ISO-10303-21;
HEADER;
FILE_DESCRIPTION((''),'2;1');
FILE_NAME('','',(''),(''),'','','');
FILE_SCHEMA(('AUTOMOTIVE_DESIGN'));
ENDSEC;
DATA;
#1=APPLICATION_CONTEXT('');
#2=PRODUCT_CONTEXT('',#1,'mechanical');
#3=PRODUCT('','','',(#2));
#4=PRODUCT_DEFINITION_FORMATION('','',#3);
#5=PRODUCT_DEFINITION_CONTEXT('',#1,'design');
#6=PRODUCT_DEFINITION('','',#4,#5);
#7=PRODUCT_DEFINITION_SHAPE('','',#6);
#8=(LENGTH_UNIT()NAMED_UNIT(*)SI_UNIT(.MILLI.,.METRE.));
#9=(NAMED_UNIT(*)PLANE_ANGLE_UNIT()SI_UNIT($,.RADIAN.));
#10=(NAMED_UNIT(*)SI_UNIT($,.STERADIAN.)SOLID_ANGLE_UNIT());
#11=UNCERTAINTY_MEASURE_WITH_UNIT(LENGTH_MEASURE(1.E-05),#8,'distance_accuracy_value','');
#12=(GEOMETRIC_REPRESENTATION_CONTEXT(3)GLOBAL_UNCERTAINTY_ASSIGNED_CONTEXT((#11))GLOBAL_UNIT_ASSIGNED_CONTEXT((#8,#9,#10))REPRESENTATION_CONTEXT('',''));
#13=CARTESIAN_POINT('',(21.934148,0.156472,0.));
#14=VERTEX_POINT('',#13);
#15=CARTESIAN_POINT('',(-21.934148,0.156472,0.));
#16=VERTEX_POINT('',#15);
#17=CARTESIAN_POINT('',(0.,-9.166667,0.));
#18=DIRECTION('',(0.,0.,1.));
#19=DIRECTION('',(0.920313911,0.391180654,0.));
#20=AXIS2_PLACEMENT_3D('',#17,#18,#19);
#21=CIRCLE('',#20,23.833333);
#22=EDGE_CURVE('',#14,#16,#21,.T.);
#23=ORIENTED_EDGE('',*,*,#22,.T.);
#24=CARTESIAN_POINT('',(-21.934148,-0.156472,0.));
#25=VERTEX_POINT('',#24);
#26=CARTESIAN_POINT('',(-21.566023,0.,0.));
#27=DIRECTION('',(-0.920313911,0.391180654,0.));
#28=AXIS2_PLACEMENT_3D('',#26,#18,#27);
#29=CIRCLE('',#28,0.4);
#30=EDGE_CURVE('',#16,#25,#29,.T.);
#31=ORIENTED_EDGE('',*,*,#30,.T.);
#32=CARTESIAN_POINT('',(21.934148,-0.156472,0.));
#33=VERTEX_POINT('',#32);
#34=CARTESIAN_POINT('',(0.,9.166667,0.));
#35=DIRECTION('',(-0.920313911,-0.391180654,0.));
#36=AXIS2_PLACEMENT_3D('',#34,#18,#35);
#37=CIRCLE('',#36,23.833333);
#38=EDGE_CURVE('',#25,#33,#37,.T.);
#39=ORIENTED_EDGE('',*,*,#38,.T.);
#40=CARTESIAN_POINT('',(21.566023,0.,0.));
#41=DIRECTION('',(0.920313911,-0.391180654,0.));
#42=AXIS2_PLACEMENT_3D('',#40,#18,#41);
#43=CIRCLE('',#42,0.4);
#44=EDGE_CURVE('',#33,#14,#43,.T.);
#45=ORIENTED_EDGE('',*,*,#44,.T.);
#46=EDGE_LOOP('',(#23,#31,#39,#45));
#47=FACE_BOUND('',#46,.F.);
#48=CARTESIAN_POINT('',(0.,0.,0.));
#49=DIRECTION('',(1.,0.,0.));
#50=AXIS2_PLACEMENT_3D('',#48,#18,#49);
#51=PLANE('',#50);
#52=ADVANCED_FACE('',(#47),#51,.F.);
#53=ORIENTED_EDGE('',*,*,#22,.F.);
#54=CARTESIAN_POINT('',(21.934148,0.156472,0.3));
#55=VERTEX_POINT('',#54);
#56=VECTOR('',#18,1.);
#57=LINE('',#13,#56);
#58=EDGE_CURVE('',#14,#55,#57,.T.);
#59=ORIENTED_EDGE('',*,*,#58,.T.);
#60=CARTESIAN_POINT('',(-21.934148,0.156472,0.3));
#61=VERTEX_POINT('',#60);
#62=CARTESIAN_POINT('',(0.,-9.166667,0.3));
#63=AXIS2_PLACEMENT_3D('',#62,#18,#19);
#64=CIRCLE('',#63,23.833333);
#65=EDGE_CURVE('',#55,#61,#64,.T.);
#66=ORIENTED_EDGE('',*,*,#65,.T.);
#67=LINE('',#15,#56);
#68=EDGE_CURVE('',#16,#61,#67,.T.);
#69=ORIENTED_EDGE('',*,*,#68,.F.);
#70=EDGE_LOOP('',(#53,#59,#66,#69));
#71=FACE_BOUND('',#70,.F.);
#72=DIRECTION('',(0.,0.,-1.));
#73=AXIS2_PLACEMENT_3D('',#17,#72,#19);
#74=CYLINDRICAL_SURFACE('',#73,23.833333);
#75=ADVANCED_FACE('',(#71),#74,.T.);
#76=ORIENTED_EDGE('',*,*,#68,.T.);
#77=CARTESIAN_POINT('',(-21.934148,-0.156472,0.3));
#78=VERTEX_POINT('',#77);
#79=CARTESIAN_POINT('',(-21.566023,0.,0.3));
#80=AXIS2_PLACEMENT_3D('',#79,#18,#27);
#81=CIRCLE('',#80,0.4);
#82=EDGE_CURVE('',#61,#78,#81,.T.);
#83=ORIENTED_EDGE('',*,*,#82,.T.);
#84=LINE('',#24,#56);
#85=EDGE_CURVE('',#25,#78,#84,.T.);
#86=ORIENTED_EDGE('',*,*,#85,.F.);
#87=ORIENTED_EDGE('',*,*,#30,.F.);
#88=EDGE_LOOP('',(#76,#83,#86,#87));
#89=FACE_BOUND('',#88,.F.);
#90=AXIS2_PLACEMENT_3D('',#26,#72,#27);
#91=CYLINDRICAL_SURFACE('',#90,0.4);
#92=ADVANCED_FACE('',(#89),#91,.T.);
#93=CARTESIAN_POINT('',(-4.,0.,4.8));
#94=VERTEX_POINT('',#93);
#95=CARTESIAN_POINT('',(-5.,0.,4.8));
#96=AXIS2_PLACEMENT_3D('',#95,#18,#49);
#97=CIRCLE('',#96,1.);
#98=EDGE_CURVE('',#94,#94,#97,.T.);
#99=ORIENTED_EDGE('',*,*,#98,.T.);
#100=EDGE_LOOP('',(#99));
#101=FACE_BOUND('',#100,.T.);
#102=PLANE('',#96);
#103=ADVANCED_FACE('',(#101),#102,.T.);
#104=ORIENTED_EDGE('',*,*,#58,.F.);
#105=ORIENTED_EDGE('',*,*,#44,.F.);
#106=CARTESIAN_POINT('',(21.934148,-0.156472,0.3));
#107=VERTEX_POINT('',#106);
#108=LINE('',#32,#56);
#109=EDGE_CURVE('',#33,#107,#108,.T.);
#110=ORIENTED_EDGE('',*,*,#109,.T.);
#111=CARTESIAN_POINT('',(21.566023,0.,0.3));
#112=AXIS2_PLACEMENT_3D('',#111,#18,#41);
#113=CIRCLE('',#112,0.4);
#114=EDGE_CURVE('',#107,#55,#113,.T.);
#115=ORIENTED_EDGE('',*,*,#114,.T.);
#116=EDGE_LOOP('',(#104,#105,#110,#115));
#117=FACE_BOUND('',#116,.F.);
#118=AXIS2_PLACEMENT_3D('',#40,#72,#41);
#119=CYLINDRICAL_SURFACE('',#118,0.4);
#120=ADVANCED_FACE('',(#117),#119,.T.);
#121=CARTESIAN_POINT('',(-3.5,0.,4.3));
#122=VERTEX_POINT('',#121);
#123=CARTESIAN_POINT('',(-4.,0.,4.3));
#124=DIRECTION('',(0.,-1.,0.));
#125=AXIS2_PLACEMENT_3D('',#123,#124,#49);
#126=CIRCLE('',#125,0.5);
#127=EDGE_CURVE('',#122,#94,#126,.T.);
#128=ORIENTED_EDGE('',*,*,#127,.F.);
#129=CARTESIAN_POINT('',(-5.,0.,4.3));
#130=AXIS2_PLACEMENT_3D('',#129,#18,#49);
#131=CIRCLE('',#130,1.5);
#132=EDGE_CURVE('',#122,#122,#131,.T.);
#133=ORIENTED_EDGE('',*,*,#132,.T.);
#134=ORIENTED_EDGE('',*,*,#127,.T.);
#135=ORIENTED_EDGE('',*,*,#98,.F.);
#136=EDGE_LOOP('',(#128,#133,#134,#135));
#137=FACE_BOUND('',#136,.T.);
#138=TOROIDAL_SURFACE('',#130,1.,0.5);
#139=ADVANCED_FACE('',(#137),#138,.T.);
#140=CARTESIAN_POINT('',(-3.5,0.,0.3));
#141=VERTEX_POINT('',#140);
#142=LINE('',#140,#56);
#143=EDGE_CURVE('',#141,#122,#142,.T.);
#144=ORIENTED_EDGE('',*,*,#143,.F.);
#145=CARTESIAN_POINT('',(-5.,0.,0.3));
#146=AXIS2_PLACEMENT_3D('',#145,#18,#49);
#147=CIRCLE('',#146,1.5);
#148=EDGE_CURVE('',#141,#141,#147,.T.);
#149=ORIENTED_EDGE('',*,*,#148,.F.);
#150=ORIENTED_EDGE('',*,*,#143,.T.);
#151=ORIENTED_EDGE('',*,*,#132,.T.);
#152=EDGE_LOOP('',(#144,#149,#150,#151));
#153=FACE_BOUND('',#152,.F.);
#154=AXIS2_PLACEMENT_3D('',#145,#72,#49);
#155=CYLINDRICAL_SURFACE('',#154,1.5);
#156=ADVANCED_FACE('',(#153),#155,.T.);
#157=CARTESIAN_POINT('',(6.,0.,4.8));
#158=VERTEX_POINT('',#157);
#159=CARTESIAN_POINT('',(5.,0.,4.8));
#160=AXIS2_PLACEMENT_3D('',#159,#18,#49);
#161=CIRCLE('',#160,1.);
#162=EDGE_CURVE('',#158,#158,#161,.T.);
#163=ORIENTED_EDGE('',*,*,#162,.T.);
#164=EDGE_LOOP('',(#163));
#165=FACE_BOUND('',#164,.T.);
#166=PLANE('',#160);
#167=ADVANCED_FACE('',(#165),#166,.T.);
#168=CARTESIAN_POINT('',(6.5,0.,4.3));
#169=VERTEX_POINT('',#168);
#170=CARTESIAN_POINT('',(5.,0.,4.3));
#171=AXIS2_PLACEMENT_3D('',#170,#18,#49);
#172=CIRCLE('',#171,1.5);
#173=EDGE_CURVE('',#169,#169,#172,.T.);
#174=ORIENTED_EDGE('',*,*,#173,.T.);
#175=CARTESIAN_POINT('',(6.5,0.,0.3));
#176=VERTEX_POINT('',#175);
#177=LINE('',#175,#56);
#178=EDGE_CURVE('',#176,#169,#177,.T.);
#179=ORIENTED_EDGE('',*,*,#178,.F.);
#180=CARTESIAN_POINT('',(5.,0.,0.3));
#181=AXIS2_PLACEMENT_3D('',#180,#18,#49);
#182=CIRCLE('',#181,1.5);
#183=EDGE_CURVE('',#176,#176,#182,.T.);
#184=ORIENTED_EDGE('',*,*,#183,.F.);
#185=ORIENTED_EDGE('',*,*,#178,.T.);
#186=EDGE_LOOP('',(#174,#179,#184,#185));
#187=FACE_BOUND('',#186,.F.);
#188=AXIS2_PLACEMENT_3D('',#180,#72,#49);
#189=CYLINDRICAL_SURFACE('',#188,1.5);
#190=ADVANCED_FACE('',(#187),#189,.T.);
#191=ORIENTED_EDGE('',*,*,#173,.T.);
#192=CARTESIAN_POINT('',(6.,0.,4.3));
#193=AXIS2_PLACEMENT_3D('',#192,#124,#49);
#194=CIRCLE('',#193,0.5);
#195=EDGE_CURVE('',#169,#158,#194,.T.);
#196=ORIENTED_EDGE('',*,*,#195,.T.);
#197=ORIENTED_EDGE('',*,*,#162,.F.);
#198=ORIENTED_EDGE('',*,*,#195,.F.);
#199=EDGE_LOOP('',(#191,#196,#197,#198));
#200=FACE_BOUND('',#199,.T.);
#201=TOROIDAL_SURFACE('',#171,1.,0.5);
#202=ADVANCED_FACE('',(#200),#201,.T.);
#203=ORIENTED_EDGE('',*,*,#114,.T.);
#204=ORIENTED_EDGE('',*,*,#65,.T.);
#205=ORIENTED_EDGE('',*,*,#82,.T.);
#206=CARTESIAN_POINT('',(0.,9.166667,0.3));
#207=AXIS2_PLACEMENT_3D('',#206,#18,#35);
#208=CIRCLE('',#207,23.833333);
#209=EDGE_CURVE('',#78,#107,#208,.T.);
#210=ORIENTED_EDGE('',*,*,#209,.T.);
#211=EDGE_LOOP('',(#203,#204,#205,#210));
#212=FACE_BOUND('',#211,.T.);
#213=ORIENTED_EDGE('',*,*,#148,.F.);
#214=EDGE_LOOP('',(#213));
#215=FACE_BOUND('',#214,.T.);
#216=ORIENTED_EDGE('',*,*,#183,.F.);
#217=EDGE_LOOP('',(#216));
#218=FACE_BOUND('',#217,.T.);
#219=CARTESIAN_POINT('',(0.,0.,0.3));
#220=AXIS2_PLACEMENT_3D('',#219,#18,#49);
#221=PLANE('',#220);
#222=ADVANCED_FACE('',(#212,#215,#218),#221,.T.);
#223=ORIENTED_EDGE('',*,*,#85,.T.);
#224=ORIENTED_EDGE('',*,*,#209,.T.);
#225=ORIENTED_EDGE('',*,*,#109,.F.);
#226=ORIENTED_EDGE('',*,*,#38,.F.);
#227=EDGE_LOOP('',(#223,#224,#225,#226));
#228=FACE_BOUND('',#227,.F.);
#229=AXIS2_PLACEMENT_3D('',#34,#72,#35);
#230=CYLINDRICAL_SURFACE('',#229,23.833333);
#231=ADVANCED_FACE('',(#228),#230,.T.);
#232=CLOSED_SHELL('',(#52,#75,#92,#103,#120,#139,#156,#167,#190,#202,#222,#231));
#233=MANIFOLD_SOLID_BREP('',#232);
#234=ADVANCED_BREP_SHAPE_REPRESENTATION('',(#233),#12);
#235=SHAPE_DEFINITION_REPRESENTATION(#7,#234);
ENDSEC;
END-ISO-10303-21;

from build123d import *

# Parameters (mm, degrees)
F3_DEPTH = 0.3
F4_R     = 1.5
F5_DEPTH = 4.5
F6_R     = 0.5


with BuildPart() as f3:
    # F2 (on Top) → F3 (new body)
    with BuildSketch(Plane.XY):
        with BuildLine():
            ThreePointArc((21.9341482237, -0.1564722617), (21.9660226591, 0), (21.9341482237, 0.1564722617))
            ThreePointArc((21.9341482237, 0.1564722617), (0, 14.6666666667), (-21.9341482237, 0.1564722617))
            ThreePointArc((-21.9341482237, 0.1564722617), (-21.9660226591, 0), (-21.9341482237, -0.1564722617))
            ThreePointArc((-21.9341482237, -0.1564722617), (0, -14.6666666667), (21.9341482237, -0.1564722617))
        make_face()
    extrude(amount=F3_DEPTH)

    # F4 (on face) → F5 (join)
    with BuildSketch(Plane.XY.offset(0.3)):
        with Locations((-5, 0)):
            Circle(F4_R)
        with Locations((5, 0)):
            Circle(F4_R)
    extrude(amount=F5_DEPTH)

    # F6
    f6_edges = [f3.edges().sort_by_distance(p)[0] for p in [
        (-6.5, 0, 4.8),
        (3.5, 0, 4.8),
    ]]
    fillet(f6_edges, radius=F6_R)


solid = f3.part
